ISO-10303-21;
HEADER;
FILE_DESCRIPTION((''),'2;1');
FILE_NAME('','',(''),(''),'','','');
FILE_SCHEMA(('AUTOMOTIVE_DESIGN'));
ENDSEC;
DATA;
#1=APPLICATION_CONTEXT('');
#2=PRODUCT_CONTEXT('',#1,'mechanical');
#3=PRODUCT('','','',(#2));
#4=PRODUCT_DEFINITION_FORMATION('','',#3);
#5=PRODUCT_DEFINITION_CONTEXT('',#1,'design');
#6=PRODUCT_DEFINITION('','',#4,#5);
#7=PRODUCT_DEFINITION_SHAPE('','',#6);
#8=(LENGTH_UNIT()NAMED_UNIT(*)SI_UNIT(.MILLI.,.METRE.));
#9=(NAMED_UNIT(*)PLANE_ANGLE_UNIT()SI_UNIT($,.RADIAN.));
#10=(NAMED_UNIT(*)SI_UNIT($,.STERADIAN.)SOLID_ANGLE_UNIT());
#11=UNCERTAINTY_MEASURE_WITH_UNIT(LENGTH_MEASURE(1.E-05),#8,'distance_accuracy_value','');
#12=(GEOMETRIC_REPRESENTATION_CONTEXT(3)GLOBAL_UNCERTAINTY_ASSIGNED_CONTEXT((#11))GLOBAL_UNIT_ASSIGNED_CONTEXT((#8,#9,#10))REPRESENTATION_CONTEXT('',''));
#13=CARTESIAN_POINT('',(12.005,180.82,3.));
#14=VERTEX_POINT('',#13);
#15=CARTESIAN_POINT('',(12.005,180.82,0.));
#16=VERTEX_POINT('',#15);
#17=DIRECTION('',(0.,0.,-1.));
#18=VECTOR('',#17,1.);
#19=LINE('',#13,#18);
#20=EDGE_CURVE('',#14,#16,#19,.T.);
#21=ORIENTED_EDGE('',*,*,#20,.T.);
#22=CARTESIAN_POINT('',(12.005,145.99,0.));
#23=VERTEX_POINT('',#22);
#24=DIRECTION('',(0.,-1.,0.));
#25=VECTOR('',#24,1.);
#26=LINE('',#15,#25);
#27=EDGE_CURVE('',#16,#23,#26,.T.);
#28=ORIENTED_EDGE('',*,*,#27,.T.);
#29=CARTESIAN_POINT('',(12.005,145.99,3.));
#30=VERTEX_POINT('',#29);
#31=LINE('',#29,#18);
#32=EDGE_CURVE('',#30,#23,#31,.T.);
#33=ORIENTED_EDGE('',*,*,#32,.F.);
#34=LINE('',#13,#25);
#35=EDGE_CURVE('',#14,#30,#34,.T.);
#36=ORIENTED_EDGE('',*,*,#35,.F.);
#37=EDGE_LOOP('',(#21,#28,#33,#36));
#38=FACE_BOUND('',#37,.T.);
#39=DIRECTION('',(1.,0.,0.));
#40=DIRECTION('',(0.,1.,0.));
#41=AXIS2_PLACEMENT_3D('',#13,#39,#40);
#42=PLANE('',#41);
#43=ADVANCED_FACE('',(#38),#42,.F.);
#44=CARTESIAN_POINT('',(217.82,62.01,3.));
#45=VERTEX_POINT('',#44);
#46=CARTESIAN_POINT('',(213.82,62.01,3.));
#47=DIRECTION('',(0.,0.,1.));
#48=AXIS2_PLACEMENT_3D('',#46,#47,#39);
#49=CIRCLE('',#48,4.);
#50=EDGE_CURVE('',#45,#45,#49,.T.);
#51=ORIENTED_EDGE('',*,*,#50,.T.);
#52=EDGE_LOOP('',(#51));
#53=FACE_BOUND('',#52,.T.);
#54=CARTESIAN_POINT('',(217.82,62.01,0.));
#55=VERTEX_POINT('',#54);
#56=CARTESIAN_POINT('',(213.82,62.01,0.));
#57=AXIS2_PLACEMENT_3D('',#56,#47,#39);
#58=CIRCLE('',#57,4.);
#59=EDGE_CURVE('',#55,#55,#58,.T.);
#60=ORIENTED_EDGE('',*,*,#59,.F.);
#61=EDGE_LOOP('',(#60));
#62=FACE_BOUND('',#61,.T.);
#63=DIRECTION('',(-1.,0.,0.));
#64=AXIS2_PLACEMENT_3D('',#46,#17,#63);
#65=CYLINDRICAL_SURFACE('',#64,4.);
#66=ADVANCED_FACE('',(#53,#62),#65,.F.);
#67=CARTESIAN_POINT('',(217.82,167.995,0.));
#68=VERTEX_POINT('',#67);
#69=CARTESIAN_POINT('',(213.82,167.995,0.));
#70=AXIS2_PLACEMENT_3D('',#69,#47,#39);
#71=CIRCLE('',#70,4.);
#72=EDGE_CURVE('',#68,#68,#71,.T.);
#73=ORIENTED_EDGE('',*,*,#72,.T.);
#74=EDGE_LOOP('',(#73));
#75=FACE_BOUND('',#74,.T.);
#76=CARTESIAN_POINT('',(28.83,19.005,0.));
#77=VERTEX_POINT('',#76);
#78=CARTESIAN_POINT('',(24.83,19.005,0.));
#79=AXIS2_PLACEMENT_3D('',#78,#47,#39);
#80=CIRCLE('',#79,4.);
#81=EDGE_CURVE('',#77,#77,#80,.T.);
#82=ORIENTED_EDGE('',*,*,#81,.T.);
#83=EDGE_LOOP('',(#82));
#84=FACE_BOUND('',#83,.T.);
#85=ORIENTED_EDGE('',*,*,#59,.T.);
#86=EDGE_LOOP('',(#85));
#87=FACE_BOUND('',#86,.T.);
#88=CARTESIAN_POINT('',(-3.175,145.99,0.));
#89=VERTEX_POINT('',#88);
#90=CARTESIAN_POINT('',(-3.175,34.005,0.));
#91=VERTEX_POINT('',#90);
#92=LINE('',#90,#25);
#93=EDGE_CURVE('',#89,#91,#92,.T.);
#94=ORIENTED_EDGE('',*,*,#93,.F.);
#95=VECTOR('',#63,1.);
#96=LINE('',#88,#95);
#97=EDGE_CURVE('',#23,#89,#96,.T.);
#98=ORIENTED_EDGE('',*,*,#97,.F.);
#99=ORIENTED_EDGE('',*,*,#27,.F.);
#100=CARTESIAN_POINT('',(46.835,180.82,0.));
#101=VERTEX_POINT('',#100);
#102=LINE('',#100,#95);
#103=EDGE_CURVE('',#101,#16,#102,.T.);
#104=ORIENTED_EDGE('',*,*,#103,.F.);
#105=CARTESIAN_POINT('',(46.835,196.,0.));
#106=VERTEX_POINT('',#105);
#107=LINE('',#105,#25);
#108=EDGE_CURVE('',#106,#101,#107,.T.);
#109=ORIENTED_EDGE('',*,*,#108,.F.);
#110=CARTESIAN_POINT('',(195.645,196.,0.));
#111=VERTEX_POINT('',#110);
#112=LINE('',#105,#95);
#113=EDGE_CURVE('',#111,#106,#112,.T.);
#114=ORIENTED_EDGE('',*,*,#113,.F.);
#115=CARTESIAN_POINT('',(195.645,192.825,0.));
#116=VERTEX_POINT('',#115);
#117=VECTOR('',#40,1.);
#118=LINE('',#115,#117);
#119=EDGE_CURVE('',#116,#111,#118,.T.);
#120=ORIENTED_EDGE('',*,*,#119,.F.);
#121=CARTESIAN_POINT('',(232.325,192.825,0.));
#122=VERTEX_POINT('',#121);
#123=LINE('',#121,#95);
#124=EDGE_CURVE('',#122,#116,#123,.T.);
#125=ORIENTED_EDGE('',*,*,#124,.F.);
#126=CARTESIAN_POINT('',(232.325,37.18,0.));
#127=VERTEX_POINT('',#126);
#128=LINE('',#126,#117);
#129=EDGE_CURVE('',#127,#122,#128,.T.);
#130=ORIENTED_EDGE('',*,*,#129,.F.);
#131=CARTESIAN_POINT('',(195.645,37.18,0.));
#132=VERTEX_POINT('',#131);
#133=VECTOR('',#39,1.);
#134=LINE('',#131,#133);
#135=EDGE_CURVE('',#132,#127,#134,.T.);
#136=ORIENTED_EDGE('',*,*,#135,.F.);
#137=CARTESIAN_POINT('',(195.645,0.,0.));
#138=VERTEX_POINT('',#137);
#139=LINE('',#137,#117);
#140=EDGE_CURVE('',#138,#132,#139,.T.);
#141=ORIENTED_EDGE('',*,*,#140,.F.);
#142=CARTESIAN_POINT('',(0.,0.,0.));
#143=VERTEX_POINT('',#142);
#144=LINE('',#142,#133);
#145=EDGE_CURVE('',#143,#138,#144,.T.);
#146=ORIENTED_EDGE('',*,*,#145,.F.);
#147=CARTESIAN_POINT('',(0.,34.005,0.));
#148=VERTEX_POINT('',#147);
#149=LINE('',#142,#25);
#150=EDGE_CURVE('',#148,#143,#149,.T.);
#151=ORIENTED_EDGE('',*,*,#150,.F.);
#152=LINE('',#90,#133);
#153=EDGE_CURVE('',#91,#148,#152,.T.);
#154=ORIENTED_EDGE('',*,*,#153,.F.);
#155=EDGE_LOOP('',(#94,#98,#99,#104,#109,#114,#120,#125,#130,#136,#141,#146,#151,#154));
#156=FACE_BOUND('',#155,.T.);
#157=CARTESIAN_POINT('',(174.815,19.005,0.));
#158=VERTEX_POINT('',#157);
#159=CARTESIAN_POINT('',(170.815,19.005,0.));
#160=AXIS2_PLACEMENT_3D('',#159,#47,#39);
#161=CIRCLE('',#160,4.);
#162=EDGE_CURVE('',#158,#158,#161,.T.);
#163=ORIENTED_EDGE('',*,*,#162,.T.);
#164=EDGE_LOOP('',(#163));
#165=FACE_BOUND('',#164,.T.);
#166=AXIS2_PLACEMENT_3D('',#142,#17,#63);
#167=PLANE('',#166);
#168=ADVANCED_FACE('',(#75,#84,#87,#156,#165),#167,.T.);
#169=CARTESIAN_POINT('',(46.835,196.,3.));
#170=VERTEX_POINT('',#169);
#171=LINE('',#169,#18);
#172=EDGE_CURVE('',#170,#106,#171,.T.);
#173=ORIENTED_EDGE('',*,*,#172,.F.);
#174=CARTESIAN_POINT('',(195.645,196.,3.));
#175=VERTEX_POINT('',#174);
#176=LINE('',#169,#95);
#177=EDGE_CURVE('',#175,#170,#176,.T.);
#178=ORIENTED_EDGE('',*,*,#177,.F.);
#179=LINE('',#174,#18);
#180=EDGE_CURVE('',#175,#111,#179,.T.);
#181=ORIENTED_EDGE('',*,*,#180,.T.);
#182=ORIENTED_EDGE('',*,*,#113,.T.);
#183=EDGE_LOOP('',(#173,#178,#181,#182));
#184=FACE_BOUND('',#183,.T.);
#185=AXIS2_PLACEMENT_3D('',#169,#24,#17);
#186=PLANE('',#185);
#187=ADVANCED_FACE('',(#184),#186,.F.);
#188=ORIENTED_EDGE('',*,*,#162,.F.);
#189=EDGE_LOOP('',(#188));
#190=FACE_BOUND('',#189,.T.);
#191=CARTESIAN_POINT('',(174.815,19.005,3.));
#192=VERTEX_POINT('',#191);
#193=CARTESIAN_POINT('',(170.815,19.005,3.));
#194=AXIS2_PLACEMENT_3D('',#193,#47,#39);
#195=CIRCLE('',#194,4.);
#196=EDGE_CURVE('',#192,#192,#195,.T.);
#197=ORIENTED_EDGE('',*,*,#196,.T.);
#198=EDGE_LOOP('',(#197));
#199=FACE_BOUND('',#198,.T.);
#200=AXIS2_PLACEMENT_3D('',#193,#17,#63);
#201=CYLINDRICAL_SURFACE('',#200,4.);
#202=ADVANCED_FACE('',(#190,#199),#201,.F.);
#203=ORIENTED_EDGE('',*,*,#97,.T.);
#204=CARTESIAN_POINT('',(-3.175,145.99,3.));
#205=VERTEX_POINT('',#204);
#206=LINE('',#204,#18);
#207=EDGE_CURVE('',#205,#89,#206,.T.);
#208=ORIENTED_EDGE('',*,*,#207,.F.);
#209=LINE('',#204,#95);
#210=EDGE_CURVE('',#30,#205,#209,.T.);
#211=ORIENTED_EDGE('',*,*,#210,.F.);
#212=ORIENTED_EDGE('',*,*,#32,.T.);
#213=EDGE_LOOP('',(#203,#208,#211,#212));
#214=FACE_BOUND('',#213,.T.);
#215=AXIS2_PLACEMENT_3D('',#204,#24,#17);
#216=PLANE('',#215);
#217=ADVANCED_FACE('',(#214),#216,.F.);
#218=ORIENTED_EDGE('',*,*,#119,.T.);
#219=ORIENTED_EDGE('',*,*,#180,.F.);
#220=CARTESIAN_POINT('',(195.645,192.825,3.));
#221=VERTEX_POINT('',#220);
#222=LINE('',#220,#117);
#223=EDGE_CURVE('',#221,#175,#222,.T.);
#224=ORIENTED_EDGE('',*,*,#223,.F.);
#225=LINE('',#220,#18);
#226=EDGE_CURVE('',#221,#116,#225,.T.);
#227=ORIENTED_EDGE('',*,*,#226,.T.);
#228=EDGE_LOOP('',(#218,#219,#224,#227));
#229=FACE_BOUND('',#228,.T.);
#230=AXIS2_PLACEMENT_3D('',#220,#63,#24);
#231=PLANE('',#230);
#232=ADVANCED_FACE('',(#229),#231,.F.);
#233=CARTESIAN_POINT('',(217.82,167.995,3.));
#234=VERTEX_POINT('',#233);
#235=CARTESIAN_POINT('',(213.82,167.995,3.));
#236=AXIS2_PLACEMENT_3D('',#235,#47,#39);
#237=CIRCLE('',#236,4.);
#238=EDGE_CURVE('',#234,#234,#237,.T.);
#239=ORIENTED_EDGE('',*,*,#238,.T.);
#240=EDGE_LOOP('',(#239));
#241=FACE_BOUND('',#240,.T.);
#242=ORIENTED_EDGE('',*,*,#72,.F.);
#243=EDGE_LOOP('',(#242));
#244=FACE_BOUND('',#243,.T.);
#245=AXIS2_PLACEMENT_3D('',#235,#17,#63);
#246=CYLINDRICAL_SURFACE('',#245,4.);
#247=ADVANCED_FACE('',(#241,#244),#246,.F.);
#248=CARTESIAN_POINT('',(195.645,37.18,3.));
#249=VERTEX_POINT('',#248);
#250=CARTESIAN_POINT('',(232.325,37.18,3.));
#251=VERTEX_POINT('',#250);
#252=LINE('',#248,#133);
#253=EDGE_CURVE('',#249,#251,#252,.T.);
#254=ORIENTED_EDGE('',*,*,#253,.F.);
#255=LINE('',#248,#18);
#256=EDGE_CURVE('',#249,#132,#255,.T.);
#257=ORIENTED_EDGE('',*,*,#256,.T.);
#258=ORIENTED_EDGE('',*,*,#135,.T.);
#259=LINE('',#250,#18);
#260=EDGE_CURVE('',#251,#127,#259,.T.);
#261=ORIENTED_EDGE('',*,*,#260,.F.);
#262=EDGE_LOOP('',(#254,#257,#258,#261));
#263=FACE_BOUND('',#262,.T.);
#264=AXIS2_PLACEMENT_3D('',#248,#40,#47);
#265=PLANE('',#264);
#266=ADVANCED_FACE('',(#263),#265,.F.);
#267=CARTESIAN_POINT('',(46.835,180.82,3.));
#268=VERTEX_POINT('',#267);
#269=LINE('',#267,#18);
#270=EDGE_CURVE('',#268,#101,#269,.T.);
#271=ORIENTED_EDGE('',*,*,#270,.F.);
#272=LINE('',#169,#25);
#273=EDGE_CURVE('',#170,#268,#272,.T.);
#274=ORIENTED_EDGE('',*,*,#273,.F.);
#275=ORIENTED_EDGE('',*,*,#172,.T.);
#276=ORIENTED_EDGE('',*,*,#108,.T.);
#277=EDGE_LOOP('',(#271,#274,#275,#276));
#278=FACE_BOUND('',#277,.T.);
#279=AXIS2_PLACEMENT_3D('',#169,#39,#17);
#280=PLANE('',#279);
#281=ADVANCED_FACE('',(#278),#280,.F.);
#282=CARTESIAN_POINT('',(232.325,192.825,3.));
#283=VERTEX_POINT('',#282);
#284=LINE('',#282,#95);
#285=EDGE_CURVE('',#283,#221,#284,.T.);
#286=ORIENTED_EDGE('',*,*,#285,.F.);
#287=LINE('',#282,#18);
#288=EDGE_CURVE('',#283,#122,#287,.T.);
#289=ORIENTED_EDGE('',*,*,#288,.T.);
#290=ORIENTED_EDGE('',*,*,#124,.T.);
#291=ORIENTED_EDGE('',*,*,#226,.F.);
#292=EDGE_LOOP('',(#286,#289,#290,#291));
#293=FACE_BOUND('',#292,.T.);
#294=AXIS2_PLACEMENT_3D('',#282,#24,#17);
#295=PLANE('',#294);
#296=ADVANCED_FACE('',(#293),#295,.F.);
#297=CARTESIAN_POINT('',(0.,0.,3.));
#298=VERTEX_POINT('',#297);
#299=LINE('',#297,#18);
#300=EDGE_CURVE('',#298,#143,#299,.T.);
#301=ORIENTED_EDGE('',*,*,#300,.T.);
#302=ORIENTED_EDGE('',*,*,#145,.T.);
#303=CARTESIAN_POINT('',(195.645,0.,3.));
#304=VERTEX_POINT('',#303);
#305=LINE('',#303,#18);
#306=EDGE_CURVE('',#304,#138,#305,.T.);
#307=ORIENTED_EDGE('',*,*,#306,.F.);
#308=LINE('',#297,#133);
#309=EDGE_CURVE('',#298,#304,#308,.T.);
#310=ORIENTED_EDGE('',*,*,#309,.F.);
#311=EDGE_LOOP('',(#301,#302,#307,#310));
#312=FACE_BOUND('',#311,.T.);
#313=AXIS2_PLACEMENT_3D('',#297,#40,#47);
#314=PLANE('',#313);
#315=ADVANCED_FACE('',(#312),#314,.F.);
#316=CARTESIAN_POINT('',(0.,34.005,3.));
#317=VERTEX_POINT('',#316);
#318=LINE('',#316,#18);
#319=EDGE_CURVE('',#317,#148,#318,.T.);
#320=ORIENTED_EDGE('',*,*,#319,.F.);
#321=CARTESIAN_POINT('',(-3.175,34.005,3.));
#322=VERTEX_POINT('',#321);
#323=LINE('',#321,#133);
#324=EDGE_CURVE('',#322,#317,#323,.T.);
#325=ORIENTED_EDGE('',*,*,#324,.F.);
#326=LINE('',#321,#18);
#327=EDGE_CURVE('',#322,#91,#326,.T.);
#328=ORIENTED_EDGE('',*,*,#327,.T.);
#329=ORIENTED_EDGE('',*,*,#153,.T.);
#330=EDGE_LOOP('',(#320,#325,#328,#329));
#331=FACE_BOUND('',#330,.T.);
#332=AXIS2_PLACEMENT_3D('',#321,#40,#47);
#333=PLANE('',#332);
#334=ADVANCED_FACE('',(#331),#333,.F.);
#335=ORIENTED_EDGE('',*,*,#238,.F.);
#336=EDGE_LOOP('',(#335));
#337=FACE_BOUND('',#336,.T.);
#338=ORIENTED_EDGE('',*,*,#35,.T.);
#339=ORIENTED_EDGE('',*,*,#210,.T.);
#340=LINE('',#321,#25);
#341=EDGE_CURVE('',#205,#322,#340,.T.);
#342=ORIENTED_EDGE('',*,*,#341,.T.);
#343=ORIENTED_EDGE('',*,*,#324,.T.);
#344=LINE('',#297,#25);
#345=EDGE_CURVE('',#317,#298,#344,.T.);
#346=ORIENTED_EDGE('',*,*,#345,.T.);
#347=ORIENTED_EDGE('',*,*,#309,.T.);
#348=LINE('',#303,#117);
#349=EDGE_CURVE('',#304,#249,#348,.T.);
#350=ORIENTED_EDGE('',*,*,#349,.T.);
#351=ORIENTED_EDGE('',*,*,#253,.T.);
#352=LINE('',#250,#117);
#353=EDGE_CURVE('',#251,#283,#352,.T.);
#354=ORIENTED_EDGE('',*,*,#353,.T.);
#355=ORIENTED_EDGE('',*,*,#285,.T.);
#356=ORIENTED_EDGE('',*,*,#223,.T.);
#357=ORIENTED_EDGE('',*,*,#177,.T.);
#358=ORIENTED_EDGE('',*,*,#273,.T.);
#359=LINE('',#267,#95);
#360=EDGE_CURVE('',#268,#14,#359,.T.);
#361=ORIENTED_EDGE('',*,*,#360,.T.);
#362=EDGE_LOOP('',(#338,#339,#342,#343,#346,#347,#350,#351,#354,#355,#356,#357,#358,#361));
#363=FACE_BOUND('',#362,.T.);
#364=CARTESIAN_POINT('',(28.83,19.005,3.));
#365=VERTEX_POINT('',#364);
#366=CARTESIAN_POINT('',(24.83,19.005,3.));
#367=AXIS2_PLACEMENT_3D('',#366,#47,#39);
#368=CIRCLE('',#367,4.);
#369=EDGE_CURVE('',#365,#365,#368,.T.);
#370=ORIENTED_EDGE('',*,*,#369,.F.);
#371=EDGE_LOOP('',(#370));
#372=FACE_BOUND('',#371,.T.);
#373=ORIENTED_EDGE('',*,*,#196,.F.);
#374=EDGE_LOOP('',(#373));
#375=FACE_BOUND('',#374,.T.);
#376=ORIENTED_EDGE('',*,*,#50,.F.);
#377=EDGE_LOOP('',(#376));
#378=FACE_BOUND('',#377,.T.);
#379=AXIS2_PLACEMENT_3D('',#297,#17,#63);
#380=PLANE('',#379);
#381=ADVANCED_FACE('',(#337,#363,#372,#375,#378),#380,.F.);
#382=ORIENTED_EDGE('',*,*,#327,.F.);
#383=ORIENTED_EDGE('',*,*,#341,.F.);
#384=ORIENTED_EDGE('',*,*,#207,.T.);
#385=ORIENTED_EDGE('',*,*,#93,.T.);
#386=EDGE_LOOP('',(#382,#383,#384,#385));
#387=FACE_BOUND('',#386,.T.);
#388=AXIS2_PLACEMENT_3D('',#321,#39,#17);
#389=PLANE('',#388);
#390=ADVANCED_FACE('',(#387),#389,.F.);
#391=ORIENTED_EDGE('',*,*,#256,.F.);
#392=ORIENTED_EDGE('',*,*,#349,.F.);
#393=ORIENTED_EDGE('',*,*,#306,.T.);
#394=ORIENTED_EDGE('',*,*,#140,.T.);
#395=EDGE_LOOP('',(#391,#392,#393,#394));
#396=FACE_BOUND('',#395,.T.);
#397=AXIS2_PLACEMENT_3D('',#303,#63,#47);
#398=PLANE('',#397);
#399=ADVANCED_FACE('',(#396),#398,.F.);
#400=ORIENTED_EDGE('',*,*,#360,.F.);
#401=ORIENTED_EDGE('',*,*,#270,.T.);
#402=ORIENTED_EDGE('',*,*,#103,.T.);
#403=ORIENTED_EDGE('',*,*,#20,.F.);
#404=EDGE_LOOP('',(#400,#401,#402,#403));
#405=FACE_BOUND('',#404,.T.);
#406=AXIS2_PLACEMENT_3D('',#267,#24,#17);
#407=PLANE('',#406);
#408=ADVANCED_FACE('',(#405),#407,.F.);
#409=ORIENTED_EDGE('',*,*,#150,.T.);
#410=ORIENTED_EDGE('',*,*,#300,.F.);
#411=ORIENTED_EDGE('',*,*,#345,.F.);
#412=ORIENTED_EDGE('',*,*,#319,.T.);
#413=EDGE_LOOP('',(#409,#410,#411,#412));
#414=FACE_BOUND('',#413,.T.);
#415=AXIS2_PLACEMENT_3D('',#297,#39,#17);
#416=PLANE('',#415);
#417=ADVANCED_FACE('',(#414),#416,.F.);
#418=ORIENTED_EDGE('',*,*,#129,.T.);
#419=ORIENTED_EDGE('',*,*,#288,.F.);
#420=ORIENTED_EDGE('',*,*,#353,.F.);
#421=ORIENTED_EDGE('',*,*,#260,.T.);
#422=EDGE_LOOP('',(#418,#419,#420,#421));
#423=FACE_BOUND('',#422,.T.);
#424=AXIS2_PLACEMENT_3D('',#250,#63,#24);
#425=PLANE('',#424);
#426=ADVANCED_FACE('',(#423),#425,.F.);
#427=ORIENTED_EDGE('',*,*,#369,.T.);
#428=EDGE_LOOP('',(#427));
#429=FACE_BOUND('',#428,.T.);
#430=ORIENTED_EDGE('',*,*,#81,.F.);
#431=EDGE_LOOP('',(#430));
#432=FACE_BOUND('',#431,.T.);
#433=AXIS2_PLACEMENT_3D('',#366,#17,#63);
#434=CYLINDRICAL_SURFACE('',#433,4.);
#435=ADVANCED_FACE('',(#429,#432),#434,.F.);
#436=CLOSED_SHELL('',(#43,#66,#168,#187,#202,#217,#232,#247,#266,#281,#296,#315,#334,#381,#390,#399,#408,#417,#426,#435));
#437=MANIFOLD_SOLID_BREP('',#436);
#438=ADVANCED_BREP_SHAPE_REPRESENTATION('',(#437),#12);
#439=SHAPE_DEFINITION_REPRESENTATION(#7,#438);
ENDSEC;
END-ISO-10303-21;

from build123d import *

# Parameters (mm, degrees)
SKETCH1_R           = 4
BOSS_EXTRUDE1_DEPTH = 3


with BuildPart() as part:
    # Sketch1 → Boss-Extrude1 (new body)
    with BuildSketch(Plane.XY):
        Polygon((195.645, 0), (195.645, 37.18), (232.325, 37.18), (232.325, 192.825), (195.645, 192.825), (195.645, 196), (46.835, 196), (46.835, 180.82), (12.005, 180.82), (12.005, 145.99), (-3.175, 145.99), (-3.175, 34.005), (0, 34.005), (0, 0), align=None)
        with Locations((170.815, 19.005)):
            Circle(SKETCH1_R, mode=Mode.SUBTRACT)
        with Locations((24.83, 19.005)):
            Circle(SKETCH1_R, mode=Mode.SUBTRACT)
        with Locations((213.82, 62.01)):
            Circle(SKETCH1_R, mode=Mode.SUBTRACT)
        with Locations((213.82, 167.995)):
            Circle(SKETCH1_R, mode=Mode.SUBTRACT)
    extrude(amount=BOSS_EXTRUDE1_DEPTH)


solid = part.part
